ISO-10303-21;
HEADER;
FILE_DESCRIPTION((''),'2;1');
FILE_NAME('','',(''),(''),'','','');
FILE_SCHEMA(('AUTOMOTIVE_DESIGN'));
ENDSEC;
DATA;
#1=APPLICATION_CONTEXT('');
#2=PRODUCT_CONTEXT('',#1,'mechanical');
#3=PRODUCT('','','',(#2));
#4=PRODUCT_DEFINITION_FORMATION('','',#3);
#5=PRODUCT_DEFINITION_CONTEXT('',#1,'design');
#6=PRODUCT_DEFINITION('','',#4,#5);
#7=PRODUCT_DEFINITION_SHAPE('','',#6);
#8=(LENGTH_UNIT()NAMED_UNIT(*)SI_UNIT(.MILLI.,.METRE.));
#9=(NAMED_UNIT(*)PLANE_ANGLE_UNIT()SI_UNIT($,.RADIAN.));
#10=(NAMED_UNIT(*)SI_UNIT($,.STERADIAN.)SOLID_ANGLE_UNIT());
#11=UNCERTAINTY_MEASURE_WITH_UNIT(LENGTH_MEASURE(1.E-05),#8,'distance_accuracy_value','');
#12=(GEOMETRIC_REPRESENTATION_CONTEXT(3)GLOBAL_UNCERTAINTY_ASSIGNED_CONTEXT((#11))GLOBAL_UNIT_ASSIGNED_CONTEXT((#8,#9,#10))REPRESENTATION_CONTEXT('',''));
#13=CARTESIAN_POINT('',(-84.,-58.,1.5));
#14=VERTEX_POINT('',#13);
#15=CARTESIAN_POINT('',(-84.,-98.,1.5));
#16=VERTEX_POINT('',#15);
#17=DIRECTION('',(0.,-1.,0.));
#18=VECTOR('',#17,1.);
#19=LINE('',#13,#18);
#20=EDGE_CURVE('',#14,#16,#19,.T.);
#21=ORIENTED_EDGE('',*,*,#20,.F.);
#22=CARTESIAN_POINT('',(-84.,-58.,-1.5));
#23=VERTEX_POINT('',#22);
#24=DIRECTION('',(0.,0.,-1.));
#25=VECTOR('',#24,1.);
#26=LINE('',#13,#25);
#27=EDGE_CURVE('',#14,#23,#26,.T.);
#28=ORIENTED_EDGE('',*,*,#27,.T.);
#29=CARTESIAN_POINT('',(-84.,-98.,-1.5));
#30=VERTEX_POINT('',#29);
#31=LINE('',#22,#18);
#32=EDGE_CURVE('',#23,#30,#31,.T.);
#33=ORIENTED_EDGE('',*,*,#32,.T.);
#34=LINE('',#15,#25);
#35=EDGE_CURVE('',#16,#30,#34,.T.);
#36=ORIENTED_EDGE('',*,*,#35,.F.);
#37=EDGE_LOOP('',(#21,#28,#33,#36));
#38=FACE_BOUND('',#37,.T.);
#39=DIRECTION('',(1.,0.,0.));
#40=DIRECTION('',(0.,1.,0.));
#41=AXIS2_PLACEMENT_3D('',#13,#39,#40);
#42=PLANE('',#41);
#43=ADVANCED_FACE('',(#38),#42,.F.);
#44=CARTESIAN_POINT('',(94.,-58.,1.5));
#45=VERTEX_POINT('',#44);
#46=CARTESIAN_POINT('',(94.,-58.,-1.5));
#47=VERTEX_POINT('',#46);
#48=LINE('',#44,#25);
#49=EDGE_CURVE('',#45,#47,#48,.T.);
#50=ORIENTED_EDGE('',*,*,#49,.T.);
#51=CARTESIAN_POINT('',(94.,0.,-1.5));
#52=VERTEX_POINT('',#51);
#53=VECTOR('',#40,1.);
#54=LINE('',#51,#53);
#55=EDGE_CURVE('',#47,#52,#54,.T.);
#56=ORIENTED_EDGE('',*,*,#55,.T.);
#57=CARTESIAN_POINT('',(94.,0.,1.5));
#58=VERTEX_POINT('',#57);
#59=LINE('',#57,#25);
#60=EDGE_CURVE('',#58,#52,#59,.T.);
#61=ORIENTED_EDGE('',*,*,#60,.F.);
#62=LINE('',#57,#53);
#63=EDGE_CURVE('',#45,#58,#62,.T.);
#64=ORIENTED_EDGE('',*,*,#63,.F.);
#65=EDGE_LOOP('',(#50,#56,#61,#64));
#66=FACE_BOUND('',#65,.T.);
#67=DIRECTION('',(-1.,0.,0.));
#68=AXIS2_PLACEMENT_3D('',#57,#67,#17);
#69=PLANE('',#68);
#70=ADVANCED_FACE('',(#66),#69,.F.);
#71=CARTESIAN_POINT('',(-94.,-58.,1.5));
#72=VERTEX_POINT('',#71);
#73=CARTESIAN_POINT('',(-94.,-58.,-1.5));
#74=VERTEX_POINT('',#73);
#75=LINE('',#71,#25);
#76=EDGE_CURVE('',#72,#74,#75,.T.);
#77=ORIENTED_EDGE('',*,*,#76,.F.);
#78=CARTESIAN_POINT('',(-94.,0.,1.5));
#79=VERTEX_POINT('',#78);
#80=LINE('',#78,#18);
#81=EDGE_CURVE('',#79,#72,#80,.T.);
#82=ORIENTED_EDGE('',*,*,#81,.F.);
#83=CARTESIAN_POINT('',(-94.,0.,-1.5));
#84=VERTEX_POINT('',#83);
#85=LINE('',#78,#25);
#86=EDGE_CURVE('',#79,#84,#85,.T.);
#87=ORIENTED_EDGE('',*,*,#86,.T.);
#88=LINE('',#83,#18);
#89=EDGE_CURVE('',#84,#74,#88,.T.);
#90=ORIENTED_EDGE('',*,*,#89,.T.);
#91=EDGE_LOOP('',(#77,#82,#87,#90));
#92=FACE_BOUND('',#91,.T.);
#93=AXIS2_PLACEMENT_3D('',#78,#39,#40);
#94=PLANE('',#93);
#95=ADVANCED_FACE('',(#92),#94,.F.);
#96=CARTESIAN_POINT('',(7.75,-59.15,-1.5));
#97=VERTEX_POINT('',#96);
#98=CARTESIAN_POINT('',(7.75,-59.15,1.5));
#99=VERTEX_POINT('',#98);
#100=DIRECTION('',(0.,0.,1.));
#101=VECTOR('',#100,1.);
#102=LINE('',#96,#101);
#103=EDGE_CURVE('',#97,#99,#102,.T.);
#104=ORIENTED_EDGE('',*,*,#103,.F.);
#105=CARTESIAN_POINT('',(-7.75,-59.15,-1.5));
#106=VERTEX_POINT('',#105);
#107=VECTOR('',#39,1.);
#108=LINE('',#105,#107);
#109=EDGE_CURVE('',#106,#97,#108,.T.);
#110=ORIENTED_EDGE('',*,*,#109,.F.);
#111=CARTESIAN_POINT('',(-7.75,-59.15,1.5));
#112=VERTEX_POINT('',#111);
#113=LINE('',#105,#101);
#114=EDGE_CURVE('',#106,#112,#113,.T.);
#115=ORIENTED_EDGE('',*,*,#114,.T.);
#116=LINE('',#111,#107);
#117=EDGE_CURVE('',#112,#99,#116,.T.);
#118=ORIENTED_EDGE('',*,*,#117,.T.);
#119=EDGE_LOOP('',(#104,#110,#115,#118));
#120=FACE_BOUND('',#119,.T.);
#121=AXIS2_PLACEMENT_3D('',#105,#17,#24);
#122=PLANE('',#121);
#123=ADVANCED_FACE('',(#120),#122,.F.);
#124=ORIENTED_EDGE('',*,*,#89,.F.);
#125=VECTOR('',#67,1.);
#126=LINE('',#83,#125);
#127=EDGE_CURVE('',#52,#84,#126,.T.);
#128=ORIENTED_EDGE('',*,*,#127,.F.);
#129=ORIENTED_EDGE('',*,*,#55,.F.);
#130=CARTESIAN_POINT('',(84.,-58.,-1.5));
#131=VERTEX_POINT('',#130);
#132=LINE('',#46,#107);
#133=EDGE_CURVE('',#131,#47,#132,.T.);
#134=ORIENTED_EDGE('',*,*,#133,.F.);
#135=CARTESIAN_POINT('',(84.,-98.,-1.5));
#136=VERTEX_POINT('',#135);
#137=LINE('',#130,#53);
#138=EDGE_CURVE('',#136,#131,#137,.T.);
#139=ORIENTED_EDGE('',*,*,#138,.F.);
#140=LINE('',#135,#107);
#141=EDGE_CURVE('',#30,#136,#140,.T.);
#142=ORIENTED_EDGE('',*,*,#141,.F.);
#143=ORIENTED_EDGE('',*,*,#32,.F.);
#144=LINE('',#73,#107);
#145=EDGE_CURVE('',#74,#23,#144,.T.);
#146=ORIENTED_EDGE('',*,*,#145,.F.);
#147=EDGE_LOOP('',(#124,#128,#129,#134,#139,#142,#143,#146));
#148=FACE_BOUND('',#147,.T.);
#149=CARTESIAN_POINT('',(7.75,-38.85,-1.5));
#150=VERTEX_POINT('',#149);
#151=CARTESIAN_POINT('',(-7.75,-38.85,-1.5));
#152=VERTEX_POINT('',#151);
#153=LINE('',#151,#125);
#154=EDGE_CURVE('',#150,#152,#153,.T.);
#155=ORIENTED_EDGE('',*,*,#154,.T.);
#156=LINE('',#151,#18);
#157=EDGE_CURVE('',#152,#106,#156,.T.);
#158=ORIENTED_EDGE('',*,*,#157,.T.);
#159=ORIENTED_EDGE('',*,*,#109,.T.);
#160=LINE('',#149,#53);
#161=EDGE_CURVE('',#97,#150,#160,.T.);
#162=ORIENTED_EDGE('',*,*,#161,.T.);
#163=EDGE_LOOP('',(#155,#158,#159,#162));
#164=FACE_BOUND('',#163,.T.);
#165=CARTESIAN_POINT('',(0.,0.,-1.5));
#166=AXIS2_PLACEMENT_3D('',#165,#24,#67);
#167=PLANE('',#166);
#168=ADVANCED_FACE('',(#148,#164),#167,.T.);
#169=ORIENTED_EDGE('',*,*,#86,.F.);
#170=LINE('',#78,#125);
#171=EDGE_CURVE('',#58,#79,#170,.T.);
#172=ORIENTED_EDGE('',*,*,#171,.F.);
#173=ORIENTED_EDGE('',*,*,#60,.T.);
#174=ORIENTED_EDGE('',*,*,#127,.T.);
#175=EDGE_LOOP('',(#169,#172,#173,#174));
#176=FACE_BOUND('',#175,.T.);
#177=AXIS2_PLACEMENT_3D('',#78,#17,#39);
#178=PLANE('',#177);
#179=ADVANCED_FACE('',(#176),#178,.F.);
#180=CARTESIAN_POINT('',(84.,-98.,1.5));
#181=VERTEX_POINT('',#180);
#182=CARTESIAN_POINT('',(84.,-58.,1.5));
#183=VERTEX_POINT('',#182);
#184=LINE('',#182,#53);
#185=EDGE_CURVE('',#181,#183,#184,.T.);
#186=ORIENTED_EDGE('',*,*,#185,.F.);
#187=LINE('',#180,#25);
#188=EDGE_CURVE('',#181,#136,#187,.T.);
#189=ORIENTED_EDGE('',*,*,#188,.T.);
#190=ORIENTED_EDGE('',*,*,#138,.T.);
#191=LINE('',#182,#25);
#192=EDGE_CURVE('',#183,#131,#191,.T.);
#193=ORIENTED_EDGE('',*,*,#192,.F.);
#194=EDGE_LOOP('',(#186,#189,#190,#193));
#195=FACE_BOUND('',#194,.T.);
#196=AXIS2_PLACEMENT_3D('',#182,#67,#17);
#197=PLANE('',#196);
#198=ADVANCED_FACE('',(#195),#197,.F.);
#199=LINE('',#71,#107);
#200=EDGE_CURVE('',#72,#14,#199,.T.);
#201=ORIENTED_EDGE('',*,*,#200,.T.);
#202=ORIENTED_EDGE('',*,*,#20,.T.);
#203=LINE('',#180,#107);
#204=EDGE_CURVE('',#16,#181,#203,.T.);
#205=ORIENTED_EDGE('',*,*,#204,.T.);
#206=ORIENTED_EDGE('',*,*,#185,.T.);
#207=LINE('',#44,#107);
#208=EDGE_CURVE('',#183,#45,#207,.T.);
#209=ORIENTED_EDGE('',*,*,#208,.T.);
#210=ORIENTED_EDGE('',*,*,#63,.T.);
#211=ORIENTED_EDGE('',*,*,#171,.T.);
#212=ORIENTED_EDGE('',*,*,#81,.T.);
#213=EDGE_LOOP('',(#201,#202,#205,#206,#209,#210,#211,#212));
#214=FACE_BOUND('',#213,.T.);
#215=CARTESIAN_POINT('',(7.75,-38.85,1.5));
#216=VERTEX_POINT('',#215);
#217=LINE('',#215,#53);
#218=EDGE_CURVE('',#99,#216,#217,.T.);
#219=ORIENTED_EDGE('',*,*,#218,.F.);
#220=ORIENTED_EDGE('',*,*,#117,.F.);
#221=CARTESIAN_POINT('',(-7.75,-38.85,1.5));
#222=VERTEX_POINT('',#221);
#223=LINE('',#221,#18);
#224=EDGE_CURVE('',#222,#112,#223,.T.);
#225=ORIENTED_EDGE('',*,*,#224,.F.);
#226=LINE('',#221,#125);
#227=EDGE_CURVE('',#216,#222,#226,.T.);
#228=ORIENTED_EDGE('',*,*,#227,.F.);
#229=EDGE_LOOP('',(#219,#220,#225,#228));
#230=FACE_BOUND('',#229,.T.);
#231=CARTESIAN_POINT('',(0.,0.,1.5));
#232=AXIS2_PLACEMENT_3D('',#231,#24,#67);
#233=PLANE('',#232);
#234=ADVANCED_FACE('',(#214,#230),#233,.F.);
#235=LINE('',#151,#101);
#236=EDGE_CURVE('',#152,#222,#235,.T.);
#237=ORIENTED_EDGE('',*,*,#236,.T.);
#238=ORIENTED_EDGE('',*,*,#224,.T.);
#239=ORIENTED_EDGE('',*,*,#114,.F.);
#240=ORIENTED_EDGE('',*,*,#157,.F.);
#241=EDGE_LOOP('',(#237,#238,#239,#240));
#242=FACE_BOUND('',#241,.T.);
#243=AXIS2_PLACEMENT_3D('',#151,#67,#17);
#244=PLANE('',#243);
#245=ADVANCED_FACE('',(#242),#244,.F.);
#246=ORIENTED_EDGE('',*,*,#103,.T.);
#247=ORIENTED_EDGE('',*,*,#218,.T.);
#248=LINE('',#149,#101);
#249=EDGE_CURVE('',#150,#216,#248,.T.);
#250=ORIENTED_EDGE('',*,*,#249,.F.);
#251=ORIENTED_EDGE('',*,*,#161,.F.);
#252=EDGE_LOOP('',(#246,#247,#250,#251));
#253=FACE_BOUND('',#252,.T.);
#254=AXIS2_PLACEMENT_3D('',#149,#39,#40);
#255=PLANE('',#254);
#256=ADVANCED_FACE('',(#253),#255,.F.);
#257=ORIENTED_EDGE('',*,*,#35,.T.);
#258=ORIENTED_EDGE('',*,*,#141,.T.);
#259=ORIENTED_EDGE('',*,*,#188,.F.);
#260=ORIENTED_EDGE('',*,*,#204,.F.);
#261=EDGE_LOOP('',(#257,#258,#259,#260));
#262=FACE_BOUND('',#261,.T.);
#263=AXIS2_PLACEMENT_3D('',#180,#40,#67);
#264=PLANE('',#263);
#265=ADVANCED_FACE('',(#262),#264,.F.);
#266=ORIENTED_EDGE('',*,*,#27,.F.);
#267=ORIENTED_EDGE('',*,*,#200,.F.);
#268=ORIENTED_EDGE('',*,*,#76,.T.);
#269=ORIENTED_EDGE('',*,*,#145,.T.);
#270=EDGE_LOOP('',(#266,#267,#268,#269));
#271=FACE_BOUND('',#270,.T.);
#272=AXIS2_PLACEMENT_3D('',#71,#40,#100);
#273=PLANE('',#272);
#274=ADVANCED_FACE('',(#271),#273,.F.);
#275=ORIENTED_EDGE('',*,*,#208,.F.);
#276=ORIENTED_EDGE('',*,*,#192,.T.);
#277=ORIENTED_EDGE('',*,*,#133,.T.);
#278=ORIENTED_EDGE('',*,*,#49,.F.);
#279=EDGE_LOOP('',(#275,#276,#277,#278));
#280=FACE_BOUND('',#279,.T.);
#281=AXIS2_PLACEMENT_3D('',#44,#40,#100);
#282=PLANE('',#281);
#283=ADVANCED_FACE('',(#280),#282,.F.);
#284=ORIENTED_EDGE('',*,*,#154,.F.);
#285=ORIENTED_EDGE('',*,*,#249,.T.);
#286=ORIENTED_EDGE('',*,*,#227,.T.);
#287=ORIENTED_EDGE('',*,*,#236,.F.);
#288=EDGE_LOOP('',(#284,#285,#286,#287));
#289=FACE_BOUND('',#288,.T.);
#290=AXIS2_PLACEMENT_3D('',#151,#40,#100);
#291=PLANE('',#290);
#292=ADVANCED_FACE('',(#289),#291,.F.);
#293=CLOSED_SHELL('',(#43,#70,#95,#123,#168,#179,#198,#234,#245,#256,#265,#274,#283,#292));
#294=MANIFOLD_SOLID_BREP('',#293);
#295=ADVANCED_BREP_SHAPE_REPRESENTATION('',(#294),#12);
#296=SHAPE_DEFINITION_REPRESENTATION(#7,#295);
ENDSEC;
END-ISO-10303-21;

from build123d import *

# Parameters (mm, degrees)
RESSALTO_EXTRUS_O1_DEPTH = 1.5
ESBO_O2_W                = 15.5
ESBO_O2_H                = 20.3
CORTE_EXTRUS_O1_DEPTH    = 3


with BuildPart() as part:
    # Esboço1 → Ressalto-extrusão1 (new body, symmetric)
    with BuildSketch(Plane.XY):
        Polygon((-94, 0), (94, 0), (94, -58), (84, -58), (84, -98), (-84, -98), (-84, -58), (-94, -58), align=None)
    extrude(amount=RESSALTO_EXTRUS_O1_DEPTH, both=True)

    # Esboço2 → Corte-extrusão1 (cut)
    with BuildSketch(Plane.XY.offset(1.5)):
        with Locations((0, -49)):
            Rectangle(ESBO_O2_W, ESBO_O2_H)
    extrude(amount=-CORTE_EXTRUS_O1_DEPTH, mode=Mode.SUBTRACT)


solid = part.part
